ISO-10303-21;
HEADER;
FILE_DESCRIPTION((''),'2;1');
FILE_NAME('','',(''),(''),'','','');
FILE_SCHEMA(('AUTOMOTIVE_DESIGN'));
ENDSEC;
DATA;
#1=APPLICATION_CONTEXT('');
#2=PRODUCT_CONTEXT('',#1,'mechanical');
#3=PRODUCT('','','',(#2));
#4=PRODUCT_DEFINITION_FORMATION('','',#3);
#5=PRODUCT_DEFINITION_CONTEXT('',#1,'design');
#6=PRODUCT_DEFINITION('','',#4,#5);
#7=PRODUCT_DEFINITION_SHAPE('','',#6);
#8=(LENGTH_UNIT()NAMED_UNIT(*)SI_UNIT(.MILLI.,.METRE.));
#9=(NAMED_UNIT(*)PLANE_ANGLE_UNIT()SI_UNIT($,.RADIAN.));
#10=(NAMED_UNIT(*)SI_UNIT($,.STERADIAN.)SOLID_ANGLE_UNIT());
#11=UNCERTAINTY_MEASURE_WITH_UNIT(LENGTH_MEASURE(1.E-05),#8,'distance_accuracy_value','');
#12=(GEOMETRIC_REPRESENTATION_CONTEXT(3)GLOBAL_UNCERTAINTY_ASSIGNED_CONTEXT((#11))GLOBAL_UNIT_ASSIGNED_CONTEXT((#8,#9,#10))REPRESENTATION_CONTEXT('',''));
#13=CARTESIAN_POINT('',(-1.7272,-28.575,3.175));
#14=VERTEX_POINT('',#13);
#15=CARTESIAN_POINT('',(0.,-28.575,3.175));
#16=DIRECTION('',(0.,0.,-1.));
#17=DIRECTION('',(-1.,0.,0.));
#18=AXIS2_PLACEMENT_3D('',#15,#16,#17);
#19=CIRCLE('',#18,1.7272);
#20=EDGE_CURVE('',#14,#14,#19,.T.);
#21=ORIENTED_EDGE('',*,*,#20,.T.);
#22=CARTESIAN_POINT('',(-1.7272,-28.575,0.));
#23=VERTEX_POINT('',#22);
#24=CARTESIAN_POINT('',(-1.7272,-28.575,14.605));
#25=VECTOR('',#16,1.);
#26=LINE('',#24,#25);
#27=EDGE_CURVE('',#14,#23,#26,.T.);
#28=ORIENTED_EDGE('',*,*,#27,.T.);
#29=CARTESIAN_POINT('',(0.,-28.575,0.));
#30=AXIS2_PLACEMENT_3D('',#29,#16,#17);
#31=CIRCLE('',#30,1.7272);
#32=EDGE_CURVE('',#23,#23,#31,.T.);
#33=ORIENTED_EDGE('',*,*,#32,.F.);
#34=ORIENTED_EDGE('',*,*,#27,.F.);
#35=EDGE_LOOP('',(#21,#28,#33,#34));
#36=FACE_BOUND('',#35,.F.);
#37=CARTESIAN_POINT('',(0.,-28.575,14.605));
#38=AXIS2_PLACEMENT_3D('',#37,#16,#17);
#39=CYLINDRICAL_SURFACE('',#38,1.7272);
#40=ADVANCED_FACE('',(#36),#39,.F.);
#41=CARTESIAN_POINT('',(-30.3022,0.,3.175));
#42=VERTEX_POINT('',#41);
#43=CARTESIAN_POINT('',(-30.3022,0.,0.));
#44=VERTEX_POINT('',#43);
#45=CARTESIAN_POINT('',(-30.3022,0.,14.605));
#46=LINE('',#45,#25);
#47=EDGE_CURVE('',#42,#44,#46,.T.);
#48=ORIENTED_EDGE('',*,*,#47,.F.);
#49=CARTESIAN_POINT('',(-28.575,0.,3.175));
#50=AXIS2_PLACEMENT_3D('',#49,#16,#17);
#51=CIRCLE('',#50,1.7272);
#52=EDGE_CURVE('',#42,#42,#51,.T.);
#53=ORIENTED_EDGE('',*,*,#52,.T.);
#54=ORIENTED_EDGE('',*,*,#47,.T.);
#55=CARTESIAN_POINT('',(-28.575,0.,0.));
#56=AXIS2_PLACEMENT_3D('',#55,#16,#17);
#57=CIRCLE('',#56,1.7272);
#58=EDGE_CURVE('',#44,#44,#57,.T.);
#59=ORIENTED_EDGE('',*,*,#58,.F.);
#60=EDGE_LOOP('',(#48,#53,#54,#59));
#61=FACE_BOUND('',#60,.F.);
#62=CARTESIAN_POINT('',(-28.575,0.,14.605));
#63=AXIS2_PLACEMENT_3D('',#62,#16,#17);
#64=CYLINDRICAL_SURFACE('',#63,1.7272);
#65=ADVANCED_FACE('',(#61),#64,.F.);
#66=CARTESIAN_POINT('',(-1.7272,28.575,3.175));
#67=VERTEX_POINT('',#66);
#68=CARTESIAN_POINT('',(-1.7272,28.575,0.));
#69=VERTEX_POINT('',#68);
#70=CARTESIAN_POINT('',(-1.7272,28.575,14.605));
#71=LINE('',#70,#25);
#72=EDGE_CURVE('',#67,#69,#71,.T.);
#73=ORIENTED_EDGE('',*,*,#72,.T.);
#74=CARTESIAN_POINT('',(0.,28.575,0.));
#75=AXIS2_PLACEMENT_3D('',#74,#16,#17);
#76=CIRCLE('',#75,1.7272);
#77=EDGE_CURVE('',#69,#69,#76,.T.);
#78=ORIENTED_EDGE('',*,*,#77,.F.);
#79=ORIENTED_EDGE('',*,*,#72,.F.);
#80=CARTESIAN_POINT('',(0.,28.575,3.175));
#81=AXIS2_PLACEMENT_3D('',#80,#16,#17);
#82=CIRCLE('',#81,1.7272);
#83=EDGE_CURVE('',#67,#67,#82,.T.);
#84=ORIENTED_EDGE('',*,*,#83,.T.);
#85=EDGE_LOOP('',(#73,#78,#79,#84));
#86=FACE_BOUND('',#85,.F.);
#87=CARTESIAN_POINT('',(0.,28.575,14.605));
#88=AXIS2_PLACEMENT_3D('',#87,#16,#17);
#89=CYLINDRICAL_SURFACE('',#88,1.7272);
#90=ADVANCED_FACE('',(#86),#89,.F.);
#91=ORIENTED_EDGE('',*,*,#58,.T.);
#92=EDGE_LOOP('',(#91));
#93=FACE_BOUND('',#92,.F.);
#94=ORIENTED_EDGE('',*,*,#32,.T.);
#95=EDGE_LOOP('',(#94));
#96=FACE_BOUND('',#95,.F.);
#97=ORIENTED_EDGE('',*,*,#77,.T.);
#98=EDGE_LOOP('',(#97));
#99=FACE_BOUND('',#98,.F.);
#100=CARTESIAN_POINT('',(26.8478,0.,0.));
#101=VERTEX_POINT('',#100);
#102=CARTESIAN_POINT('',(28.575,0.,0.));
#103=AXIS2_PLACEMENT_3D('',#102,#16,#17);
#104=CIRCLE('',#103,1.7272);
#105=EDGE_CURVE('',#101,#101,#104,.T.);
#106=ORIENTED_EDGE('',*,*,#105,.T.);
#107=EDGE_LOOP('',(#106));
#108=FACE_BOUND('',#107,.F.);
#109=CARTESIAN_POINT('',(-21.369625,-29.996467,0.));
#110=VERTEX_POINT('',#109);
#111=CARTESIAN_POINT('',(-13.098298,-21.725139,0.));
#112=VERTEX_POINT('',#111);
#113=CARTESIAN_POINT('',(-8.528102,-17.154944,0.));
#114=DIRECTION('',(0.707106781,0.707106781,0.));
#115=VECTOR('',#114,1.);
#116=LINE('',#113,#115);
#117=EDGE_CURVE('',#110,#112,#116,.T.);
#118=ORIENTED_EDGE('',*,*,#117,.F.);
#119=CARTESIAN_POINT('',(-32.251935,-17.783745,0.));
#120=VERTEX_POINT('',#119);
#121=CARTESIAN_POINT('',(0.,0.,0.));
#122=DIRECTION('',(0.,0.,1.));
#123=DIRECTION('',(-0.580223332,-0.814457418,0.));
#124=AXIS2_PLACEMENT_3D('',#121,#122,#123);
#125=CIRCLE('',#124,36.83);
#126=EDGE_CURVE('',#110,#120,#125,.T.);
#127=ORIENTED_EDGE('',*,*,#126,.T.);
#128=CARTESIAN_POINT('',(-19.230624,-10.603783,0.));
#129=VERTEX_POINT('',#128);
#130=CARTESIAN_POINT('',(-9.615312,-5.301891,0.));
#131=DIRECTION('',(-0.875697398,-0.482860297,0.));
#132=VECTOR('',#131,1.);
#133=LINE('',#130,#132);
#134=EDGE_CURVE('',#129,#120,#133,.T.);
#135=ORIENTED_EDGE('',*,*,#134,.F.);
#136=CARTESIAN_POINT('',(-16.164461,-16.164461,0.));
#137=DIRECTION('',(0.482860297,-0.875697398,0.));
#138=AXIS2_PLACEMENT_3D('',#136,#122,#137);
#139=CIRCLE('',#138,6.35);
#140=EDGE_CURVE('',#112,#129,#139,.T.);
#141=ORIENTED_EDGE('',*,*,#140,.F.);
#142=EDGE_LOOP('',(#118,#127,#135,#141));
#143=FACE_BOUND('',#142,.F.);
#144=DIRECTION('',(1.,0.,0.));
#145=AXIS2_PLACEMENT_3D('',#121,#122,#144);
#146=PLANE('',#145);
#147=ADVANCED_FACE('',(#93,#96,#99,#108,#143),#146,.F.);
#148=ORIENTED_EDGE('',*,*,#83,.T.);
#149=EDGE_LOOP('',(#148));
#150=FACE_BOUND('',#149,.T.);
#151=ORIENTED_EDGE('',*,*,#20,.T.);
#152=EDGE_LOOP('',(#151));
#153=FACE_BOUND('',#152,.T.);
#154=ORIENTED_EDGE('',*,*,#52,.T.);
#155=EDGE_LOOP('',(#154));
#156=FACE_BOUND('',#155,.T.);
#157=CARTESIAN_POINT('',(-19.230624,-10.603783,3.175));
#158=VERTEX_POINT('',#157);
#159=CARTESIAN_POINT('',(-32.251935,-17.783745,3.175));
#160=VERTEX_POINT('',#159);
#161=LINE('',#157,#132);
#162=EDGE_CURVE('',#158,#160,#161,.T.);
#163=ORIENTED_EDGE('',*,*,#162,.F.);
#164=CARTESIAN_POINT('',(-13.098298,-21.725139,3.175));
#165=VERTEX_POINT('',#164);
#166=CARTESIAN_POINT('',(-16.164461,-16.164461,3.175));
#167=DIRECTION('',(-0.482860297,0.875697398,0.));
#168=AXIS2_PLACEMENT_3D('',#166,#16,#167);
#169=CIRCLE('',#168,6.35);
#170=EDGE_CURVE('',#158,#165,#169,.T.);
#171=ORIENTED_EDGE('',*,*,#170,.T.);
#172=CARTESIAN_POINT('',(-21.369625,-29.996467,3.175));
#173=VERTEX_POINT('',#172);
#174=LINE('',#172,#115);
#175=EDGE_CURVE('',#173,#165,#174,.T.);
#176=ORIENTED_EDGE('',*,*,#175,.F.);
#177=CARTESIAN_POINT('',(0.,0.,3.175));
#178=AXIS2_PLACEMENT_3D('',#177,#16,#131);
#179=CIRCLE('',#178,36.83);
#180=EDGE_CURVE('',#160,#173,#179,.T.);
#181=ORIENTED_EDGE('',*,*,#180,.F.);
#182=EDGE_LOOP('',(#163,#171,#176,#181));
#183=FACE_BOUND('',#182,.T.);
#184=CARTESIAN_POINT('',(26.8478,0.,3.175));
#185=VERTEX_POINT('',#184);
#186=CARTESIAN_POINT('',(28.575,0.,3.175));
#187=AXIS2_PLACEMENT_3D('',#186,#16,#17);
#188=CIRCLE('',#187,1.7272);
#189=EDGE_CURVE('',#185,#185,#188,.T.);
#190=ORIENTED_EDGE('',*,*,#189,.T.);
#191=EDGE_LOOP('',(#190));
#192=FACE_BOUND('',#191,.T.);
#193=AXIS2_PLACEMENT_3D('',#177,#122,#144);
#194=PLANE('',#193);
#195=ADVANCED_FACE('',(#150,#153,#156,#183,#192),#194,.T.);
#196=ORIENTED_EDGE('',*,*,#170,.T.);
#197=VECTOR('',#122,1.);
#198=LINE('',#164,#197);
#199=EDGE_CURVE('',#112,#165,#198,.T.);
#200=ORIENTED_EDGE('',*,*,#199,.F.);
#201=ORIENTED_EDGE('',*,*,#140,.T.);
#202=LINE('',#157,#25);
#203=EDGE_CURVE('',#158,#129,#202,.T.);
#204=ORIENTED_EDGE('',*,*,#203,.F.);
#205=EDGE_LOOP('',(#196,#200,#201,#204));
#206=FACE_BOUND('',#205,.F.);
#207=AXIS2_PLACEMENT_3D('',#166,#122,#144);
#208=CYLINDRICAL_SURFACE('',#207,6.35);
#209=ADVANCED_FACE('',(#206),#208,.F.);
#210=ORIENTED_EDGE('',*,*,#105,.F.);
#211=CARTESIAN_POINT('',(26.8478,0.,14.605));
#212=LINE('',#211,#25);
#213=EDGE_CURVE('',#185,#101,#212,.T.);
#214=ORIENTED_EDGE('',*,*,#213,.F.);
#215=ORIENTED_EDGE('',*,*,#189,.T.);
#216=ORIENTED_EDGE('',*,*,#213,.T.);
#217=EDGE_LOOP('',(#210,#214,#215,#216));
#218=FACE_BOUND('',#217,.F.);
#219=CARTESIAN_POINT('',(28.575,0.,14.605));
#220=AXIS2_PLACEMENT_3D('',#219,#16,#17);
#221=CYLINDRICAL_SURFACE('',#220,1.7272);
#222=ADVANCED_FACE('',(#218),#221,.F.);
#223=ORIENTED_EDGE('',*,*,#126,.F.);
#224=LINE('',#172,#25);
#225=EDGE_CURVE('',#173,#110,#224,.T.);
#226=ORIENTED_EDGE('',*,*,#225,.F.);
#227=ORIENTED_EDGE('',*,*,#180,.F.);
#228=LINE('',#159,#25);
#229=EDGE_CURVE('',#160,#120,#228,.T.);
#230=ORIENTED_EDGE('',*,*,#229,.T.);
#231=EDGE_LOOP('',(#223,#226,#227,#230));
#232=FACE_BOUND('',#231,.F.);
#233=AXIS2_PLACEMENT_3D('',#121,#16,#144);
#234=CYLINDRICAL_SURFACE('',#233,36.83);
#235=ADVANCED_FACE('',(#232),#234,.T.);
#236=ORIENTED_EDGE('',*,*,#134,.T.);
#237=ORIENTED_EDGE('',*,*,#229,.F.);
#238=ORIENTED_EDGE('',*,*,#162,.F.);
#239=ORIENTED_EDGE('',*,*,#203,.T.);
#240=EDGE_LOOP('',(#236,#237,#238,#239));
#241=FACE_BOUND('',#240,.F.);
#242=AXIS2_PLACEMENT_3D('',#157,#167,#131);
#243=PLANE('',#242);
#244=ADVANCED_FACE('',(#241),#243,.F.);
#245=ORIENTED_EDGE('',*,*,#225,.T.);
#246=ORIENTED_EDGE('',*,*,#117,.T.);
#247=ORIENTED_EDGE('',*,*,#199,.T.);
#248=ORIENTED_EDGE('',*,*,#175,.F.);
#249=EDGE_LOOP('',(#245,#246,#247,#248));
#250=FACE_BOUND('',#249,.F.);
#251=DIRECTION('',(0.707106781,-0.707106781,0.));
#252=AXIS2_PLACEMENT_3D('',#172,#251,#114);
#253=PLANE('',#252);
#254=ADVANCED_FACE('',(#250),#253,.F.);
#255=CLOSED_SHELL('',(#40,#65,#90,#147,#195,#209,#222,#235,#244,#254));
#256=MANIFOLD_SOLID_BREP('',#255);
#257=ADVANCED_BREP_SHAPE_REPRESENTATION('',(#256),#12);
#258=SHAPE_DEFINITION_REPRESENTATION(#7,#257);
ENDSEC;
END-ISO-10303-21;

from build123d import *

# Parameters (mm, degrees)
F0_R     = 36.83
F1_DEPTH = 3.175
F3_D     = 3.4544
F3_DEPTH = 11.43
F3_TIP   = 1.0378064612
F4_R     = 6.35
F5_DEPTH = 3.176
F7_DEPTH = 3.176


with BuildPart() as f1:
    # F0 (on Top) → F1 (new body)
    with BuildSketch(Plane.XY):
        Circle(F0_R)
    extrude(amount=F1_DEPTH)

    # F3
    with Locations(Plane.XY.offset(3.175)):
        with Locations((-28.575, 0), (0, 28.575), (28.575, 0), (0, -28.575)):
            Hole(F3_D / 2, depth=F3_DEPTH)
            with Locations((0, 0, -(F3_DEPTH + F3_TIP / 2))):  # 118° drill point
                Cone(0, F3_D / 2, F3_TIP, mode=Mode.SUBTRACT)

    # F4 (on face) → F5 (cut, through all)
    with BuildSketch(Plane.XY.offset(3.175)):
        with Locations((-16.1644610179, -16.1644610179)):
            Circle(F4_R)
    extrude(amount=-F5_DEPTH, mode=Mode.SUBTRACT)

    # F6 (on face) → F7 (cut, through all)
    with BuildSketch(Plane.XY.offset(3.175)):
        Polygon((-10.6037825397, -19.2306239069), (-19.2306239069, -10.6037825397), (-32.2519351736, -17.7837447563), (-39.33729292, -25.7967901035), (-21.3696253197, -29.9964666869), align=None)
    extrude(amount=-F7_DEPTH, mode=Mode.SUBTRACT)


solid = f1.part
